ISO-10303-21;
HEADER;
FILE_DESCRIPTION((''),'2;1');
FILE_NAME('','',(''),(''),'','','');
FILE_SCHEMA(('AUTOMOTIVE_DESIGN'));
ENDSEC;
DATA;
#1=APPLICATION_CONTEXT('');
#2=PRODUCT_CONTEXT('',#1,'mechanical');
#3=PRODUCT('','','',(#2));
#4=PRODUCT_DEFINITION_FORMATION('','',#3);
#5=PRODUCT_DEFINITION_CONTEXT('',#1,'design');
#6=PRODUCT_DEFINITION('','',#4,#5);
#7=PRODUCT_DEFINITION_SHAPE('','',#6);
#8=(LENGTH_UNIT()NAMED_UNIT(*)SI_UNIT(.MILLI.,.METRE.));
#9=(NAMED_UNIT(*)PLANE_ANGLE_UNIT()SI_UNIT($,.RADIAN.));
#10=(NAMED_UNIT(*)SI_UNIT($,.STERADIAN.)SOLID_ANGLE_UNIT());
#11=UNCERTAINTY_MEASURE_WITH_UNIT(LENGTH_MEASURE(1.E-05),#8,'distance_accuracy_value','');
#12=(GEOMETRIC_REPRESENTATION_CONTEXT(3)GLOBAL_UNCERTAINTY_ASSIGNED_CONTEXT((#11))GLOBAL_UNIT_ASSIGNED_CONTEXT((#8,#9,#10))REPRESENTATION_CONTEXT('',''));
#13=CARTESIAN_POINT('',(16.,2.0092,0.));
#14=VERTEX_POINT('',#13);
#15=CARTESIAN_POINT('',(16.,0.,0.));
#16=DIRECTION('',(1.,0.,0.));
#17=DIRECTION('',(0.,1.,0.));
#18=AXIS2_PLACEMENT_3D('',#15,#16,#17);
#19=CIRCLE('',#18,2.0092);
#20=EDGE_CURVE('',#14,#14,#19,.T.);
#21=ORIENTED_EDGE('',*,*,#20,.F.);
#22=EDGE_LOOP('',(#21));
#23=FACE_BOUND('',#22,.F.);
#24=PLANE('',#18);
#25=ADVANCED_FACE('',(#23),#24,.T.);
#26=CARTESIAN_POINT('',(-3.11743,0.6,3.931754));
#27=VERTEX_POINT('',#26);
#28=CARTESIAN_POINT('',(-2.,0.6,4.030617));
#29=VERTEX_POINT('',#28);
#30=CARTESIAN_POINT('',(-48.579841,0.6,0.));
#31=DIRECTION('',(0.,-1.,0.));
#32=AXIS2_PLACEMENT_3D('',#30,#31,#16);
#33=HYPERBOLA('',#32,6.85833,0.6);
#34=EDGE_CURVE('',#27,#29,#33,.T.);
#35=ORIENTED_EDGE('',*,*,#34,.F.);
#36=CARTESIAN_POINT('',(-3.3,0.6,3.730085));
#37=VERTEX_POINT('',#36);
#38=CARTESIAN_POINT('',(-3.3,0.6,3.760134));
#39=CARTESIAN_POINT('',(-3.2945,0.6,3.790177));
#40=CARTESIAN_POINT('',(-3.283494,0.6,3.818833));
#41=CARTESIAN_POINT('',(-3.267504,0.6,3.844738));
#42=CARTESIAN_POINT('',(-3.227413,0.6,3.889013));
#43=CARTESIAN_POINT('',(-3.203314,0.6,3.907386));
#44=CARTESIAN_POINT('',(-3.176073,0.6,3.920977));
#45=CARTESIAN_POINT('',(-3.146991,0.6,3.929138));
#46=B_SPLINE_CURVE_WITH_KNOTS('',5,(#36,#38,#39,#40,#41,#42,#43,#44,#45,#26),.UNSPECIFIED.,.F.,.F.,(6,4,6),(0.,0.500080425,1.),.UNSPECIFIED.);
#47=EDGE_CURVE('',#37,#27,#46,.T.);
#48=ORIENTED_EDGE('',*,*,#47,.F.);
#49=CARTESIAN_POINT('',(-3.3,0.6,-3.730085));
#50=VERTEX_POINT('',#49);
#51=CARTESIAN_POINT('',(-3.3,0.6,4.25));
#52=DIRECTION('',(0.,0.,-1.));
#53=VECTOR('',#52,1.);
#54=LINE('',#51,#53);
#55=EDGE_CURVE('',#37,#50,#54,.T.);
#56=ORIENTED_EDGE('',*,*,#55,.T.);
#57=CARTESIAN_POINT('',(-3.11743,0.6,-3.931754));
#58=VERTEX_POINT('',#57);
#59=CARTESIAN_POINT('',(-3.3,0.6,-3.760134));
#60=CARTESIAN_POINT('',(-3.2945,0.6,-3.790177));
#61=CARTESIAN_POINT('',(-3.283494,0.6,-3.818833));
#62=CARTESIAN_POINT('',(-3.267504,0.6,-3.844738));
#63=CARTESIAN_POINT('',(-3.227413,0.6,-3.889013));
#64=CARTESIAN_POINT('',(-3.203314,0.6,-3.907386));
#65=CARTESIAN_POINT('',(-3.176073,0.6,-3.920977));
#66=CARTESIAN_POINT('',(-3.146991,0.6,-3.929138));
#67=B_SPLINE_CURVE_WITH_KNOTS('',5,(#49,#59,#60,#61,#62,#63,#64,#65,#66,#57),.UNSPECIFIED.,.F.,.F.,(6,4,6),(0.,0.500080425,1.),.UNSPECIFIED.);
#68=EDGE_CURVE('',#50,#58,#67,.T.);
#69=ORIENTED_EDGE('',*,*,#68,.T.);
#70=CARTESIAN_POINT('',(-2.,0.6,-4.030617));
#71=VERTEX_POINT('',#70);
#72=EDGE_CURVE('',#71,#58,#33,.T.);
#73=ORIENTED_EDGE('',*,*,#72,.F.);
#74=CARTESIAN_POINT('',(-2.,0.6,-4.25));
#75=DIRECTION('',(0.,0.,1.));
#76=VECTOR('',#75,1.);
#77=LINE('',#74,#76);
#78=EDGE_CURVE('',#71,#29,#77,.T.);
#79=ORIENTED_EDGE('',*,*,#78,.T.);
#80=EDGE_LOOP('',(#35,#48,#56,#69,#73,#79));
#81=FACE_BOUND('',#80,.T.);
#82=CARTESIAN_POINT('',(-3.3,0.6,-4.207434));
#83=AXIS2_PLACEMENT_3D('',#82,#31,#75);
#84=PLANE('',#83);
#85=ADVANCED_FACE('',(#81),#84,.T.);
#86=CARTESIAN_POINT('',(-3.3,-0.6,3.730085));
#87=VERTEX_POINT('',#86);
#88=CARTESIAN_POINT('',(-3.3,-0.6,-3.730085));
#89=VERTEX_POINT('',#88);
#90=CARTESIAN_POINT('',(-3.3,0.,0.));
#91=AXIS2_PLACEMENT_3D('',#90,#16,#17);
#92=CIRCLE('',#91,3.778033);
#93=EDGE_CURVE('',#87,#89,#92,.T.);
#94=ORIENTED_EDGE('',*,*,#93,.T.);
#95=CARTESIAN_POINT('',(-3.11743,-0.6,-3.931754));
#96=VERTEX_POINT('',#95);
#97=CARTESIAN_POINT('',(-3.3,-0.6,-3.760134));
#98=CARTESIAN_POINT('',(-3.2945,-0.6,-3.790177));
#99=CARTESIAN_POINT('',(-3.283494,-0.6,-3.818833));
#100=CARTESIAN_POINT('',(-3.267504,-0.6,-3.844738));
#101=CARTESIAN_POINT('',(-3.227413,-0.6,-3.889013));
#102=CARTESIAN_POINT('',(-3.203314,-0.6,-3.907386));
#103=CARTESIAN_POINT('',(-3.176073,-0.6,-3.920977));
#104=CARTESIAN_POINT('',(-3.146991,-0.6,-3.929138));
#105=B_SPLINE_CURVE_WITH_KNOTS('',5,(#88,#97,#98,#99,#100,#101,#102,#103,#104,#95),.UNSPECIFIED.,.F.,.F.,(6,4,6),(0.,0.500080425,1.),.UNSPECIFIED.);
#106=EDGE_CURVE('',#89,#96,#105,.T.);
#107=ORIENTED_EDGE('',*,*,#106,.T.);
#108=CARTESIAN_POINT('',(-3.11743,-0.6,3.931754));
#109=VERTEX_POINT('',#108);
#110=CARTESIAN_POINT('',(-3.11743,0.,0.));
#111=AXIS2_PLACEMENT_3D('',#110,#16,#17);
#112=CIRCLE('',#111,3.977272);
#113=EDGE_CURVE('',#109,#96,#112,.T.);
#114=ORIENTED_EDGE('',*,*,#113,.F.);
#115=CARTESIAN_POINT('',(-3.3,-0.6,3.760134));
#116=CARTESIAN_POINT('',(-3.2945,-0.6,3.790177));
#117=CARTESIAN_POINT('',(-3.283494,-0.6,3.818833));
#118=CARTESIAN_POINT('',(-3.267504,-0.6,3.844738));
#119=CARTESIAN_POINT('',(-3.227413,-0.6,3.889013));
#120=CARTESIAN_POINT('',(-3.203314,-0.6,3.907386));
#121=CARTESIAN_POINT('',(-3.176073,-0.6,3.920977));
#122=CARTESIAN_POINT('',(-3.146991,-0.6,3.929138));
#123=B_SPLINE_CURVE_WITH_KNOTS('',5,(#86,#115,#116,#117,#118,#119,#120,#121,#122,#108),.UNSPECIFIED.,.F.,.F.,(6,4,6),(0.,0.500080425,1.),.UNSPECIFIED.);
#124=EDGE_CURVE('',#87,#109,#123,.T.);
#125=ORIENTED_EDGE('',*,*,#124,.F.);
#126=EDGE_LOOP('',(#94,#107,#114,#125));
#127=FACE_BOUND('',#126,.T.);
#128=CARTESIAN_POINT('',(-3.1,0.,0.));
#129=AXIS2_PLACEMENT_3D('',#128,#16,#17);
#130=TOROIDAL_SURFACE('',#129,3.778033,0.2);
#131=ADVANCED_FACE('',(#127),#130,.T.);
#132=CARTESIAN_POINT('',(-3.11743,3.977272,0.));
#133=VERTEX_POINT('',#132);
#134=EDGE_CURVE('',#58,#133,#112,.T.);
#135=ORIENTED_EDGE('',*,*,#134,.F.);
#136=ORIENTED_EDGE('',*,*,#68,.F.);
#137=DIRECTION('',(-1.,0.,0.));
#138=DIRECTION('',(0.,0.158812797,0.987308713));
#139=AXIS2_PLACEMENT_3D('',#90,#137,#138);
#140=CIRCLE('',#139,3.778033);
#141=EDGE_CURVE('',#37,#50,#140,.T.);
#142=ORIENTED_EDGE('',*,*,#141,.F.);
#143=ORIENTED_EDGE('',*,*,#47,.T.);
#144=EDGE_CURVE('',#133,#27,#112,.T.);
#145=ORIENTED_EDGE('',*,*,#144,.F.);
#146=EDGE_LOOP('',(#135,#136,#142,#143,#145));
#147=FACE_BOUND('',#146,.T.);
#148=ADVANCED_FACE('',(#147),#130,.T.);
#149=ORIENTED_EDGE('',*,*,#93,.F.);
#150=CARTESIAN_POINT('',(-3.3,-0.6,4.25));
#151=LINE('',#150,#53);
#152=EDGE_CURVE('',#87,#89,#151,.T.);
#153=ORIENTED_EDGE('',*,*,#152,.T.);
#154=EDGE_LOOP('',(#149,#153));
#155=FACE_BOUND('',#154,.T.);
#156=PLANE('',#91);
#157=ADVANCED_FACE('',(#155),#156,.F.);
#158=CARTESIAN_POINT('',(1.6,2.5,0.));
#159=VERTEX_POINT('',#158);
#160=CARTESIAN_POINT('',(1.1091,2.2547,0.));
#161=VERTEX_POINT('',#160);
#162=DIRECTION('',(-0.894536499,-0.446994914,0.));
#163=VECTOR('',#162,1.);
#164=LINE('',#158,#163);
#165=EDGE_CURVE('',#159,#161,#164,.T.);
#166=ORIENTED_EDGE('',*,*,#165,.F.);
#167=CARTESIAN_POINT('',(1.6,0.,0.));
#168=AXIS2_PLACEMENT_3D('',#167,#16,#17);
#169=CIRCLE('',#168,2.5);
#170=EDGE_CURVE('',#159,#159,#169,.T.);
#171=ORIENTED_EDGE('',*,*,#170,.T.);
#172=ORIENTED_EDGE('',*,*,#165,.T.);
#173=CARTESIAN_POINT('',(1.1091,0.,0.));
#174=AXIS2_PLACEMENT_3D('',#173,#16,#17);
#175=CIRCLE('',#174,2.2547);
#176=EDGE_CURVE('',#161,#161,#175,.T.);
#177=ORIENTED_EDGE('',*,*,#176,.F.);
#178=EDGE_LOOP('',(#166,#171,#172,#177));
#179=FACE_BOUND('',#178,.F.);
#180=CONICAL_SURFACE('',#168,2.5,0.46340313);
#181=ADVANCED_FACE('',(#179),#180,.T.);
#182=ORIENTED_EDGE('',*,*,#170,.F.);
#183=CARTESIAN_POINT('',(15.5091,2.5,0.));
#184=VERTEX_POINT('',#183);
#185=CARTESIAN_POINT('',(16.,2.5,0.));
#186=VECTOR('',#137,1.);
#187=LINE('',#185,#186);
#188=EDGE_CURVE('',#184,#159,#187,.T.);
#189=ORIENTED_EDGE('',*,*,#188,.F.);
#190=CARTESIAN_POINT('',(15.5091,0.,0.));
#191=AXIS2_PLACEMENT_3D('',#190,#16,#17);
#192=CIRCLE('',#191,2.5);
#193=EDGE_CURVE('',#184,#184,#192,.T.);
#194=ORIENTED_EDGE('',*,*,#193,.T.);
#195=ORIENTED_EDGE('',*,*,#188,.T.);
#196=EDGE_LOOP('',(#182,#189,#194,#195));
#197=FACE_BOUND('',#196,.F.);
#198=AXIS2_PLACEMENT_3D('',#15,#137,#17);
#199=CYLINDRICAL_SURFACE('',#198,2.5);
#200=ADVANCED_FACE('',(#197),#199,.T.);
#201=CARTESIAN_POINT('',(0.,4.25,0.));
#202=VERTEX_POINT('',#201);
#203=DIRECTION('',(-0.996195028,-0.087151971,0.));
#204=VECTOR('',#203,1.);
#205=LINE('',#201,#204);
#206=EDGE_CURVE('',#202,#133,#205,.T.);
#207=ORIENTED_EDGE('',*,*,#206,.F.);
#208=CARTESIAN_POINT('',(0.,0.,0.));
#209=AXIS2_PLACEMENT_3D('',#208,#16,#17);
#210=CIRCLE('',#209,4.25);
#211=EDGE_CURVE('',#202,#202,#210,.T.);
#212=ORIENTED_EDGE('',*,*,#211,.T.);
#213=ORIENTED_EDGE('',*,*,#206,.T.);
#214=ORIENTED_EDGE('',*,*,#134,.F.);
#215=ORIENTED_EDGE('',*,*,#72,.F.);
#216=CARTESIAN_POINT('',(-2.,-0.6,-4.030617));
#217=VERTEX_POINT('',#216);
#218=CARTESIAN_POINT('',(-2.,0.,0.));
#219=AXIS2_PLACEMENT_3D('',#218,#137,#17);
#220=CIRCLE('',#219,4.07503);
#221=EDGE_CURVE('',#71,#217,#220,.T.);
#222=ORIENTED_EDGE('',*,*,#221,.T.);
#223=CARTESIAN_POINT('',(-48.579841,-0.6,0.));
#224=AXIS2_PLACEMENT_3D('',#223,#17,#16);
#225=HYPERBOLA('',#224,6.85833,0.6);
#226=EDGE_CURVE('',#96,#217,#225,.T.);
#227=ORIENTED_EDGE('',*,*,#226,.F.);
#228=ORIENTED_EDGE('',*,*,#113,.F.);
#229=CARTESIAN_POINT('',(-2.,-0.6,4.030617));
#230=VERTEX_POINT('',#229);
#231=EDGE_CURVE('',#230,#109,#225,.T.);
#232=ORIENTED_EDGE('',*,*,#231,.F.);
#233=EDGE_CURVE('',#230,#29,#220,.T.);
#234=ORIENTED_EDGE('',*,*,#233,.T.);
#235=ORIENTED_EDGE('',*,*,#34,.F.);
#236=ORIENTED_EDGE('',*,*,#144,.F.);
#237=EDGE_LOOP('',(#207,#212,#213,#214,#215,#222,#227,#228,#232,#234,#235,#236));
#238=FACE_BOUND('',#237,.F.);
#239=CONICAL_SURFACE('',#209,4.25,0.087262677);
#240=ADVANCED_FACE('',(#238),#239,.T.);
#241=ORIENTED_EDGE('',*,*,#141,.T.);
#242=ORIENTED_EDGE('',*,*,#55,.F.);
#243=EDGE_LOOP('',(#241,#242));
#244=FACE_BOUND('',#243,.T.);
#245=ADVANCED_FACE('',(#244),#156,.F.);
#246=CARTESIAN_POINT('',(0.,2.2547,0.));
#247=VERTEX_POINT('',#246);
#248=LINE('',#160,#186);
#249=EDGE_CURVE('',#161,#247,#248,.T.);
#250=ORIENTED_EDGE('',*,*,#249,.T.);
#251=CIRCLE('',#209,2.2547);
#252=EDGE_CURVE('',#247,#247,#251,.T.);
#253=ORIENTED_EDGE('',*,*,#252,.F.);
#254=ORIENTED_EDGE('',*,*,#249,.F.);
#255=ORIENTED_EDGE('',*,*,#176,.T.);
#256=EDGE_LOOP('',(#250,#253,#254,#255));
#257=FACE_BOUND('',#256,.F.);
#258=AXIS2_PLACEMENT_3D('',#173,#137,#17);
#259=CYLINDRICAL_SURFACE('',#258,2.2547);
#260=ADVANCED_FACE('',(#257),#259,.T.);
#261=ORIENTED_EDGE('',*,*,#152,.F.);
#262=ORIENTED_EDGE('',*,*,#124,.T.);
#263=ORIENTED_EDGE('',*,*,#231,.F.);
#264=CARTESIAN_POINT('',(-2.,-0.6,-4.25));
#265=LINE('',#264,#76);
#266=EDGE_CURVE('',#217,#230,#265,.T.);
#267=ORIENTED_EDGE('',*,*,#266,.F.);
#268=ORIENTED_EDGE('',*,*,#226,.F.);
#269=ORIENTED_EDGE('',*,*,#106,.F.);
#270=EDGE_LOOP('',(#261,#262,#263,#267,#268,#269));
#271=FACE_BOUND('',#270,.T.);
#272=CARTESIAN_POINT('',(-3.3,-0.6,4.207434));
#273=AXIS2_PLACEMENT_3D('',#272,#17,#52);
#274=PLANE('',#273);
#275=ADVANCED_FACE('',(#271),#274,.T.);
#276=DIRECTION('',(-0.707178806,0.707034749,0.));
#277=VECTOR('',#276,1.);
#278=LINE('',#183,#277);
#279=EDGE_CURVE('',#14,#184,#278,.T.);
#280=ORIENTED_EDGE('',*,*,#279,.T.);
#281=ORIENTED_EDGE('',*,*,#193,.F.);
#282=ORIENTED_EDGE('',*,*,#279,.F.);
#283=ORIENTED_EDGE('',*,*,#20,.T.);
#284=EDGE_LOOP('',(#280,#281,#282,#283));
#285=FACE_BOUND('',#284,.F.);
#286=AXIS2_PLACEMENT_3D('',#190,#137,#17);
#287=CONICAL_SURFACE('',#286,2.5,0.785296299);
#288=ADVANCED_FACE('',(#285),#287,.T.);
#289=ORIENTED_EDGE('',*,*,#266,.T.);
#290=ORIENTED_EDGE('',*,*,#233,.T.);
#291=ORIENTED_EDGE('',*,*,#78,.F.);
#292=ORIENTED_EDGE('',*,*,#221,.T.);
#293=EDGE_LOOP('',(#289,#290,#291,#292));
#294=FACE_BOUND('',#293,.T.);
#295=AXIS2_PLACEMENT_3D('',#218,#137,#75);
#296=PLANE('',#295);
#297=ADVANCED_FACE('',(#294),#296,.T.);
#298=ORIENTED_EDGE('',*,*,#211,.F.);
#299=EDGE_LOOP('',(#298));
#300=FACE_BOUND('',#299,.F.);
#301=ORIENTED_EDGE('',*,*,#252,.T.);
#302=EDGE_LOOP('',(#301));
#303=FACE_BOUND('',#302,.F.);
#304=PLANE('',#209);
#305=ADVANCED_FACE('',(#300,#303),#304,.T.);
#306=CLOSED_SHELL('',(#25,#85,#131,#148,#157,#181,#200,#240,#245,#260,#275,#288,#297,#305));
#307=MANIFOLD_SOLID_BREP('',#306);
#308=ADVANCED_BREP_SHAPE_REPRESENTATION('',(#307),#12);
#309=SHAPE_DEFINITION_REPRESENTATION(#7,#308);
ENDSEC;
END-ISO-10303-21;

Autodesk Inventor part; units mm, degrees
ref_plane "YZ Plane" through (0, 0, 0) normal (1, 0, 0) x (0, 1, 0)
ref_plane "XZ Plane" through (0, 0, 0) normal (0, 1, 0) x (-1, 0, 0)
sketch "Sketch1" plane through (0, 0, 0) normal (0, 0, 1) x (1, 0, 0)
  line L0 (-3.3, 0) -> (16, 0)
  line L1 (16, 0) -> (16, 2.5)
  line L2 (16, 2.5) -> (1.6, 2.5)
  line L3 (1.6, 2.5) -> (1.1091, 2.2547)
  line L4 (1.1091, 2.2547) -> (0, 2.2547)
  line L5 (0, 2.2547) -> (0, 4.25)
  line L6 (-7.16, 0) -> (19.86, 0) projected
  line L7 (0, -0.85) -> (0, 5.1) projected
  line L8 (-3.3, 0) -> (-3.3, 3.9613)
  line L9 (0, 4.25) -> (-3.3, 3.9613)
  line L10 (1.6, 2.5) -> (0, 2.5) construction
  dimension "d0" = 16
  dimension "d1" = 14.4
  dimension "d2" = 0.4909
  dimension "d3" = 3.3
  dimension "d4" = 5
  dimension "d5" = 4.5095
  dimension "d9" = 8.5
  dimension "d10" = 5
revolve "Body" add sketch "Sketch1" angle 360 about axis through (-3.3, 0, 0) along (1, 0, 0)
sketch "Sketch2" plane through (-3.3, 0, 0) normal (-1, 0, 0) x (0, 0, 1)
  circle A0 centre (0, 0) radius 4.25 projected
  line L0 (0, 0) -> (0, 3.9613) projected
  line L1 (-4.25, 0.6) -> (4.25, 0.6)
  line L2 (4.25, 0.6) -> (4.25, -0.6)
  line L3 (4.25, -0.6) -> (-4.25, -0.6)
  line L4 (-4.25, -0.6) -> (-4.25, 0.6)
  line L5 (-4.25, 0) -> (4.25, 0) construction
  line L6 (0, 0.6) -> (0, -0.6) construction
  dimension "d11" = 1.2
  dimension "d12" = 8.5
fillet "Fillet1" radius 0.2 1 edges at (-3.3, -3.9613, 0)
extrude "Slot" cut sketch "Sketch2" against normal blind 1.3 contours A0 L3 L1 | L2 L3 A0 | A0 L1 L2 | A0 L4 L1 | L3 L4 A0
thread "Thread" size "M5x0.8" class "6g" standard "ISO Metric profile" length 14.4
chamfer "Chamfer1" distance 0.4908 distance2 0.4909 1 edges at (16, -2.5, 0) measured on face at (16, 1.1374, -0.426)
ref_plane "Work Plane1" through (30.1625, 0, 0) normal (0, 0, -1) x (1, 0, 0)
equation "\"d11\" = SBR"
equation "\"d12\" = KOD"
equation "\"d19\" = STI"
equation "\"d14\" = RR"
equation "\"d15\" = GEL"
equation "\"d17\" = -0.5 * SPD + 0.5 * GD"
equation "\"d0\" = NLG"
equation "\"d1\" = GEL"
equation "\"d3\" = KOH"
equation "\"d4\" = GD"
equation "\"d5\" = BDM"
equation "\"d9\" = KOD"
equation "\"d10\" = KEWI"
equation "\"GD\" = NND"
equation "\"NLG\" = 16"
equation "\"GEL\" = 14.4"
equation "\"KOD\" = 8.5"
equation "\"KOH\" = 3.3"
equation "\"GAL\" = 0.61345 * PTC"
equation "\"SPD\" = NND - 1.2269 * PTC"
equation "\"BDM\" = 4.5095"
equation "\"GUL\" = 0.61345 * PTC"
equation "\"RR\" = 0.2"
equation "\"SBR\" = 1.2"
equation "\"STI\" = 1.3"
equation "\"KEWI\" = 5deg"
equation "\"PTC\" = 0.8"
equation "\"THREADDIA\" = 5"
equation "\"TOA\" = 30deg"
equation "\"NND\" = 5"
equation "\"GD1\" = THREADDIA - 1.2269 * PTC"
properties part number "ISO 1207 - M5 x 16" material "Stainless Steel, 440C"
